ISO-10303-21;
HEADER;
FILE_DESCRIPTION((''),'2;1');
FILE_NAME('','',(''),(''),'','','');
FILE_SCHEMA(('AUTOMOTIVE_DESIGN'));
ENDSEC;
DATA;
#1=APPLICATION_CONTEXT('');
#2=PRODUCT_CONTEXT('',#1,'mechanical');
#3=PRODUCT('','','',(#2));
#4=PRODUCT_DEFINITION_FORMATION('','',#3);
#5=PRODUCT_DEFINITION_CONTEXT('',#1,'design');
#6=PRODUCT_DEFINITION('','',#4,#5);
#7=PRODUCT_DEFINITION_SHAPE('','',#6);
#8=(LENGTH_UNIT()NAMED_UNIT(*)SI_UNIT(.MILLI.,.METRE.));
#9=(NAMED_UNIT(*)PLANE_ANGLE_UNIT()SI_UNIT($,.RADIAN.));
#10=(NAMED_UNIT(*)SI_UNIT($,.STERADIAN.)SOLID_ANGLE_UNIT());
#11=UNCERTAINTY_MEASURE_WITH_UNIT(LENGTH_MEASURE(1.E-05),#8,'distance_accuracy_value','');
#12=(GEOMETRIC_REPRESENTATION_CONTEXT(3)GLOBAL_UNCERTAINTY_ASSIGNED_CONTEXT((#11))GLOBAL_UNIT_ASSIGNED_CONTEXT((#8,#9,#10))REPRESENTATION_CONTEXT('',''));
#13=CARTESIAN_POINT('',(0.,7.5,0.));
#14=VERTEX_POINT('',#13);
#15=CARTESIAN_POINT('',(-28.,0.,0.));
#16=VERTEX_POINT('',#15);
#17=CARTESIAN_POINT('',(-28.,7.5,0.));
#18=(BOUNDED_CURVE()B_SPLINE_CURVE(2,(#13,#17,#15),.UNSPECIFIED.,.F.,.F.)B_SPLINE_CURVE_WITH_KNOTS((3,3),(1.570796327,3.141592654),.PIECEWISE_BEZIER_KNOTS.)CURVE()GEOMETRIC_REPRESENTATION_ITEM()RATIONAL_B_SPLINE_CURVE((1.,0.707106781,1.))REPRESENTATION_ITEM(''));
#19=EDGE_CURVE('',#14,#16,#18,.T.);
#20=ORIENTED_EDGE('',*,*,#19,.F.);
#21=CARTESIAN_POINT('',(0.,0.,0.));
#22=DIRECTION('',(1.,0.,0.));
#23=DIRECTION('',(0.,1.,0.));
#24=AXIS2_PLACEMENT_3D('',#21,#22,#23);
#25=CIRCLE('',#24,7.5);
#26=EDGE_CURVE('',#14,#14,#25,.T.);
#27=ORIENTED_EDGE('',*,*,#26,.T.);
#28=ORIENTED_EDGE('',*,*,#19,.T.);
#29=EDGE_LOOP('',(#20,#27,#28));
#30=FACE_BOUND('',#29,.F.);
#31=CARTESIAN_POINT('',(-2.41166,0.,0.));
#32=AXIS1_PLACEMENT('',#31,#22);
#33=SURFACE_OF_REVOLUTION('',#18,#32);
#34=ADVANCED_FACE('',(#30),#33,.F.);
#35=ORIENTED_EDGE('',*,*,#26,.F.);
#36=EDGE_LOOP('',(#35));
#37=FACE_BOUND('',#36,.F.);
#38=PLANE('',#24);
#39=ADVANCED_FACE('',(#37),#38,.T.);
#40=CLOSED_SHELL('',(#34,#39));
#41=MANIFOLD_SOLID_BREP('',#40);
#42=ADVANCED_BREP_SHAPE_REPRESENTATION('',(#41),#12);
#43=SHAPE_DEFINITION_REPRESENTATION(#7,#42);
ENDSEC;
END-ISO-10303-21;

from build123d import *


with BuildPart() as f1:
    # F0 (on Top) → F1 (revolve)
    with BuildSketch(Plane.XY):
        with BuildLine():
            Line((0, 0), (0, 7.5))
            add(Edge.make_bspline(
                [(0, 7.5), (-28, 7.5), (-28, 0)],
                knots=[1.5707963268, 1.5707963268, 1.5707963268, 3.1415926536, 3.1415926536, 3.1415926536], degree=2, weights=[1, 0.7071067812, 1]))
            Line((-28, 0), (0, 0))
        make_face()
    revolve(axis=Axis((-2.411659807, 0, 0), (1, 0, 0)))


solid = f1.part
